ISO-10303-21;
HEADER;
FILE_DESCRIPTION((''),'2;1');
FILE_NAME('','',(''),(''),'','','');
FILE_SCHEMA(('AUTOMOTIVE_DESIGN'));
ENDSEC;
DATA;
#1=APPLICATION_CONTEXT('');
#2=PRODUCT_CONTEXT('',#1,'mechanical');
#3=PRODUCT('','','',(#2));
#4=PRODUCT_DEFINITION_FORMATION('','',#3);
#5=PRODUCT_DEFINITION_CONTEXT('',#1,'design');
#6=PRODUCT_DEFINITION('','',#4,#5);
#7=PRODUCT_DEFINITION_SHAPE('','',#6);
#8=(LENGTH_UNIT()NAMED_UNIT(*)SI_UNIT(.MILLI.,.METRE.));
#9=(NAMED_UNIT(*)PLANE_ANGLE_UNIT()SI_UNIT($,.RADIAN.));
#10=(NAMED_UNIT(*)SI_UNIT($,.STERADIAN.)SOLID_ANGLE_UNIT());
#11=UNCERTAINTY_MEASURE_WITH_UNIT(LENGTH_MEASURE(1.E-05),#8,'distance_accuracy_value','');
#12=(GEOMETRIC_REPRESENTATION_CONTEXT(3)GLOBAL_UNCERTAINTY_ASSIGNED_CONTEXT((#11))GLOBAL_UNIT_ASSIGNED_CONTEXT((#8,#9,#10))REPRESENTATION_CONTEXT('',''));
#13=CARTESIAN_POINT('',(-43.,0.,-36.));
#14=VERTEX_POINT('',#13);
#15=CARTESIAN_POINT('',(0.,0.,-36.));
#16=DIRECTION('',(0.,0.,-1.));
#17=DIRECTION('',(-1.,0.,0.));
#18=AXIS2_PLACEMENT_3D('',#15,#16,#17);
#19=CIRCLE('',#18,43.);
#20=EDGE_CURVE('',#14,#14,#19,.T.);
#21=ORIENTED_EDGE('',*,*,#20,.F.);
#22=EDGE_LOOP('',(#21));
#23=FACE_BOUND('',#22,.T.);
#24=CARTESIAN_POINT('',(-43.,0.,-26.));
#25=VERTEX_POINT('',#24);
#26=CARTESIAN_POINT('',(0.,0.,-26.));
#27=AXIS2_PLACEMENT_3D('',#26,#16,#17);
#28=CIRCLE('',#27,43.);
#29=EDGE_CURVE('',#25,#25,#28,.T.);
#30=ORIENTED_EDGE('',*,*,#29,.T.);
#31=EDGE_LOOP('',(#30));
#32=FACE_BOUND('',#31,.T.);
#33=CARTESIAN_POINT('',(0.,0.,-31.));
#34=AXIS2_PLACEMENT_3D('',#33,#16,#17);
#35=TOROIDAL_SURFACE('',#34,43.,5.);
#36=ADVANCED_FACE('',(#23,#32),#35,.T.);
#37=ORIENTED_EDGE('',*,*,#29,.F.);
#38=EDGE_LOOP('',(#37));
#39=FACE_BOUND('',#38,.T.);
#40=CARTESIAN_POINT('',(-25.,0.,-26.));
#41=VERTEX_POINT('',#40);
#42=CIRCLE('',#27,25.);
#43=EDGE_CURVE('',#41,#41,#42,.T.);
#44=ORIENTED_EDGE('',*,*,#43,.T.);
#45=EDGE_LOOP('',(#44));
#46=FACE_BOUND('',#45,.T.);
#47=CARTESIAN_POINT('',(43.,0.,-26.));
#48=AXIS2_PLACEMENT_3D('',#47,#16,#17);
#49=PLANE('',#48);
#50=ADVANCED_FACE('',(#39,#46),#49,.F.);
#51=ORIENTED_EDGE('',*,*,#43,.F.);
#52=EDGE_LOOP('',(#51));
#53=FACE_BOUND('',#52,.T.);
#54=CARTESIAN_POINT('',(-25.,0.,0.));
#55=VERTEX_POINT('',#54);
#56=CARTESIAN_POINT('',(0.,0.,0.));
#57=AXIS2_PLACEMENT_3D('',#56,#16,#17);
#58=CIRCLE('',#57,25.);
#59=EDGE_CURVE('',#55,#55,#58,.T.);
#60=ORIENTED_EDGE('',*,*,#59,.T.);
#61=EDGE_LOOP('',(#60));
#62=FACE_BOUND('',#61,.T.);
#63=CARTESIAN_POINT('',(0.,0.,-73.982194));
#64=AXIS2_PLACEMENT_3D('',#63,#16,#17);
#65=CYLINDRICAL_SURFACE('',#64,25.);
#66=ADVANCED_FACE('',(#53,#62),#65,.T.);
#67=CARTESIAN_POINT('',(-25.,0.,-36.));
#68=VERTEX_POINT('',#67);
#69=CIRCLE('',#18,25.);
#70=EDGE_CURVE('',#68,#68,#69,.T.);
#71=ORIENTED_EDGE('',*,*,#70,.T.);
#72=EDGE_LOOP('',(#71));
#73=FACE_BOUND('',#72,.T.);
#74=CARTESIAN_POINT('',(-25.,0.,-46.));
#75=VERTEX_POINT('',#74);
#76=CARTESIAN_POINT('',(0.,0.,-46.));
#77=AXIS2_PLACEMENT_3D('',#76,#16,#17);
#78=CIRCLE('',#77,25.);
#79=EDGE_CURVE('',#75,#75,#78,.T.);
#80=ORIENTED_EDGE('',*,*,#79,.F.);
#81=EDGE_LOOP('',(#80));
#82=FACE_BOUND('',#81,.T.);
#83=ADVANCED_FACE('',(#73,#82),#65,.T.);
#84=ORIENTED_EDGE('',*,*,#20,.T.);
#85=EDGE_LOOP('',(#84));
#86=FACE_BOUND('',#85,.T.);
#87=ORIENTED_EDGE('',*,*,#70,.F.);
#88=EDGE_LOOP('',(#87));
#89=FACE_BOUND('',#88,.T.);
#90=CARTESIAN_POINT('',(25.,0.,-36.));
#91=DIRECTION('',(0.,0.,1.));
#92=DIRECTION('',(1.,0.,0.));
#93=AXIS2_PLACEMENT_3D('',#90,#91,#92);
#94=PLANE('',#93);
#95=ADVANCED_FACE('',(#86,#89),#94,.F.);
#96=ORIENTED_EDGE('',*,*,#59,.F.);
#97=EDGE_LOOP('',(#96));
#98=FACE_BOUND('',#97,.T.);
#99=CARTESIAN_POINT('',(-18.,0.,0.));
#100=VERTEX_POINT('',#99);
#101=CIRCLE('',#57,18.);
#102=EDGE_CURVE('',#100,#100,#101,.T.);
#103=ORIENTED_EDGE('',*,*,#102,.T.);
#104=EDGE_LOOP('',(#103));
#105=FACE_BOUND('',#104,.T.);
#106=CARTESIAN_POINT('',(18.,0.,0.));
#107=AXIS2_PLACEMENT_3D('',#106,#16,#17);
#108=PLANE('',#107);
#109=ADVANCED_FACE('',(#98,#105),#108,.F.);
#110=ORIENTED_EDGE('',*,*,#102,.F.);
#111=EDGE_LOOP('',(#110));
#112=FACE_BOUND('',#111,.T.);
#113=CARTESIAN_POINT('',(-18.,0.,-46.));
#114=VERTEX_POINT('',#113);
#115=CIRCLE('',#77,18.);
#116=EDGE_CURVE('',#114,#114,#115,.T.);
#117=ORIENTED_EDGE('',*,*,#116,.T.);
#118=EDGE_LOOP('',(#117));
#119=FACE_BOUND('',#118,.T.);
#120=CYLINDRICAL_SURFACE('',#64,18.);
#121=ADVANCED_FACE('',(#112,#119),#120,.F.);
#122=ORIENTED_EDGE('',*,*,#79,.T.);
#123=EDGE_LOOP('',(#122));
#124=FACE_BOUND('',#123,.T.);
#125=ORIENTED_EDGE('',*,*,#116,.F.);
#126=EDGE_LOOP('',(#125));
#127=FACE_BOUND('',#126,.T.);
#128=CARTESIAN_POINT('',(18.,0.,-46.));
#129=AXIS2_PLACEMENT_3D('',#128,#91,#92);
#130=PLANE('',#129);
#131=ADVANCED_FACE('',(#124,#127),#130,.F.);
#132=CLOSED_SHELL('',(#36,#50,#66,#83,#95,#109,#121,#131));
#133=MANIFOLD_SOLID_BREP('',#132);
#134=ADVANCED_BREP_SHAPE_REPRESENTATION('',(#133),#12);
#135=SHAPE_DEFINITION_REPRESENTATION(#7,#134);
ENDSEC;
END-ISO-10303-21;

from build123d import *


with BuildPart() as part:
    # Sketch1 → Revolve1 (revolve)
    with BuildSketch(Plane(origin=(0, 0, 0), x_dir=(1, 0, 0), z_dir=(0, 1, 0)), mode=Mode.PRIVATE) as revolve1_sk:
        with BuildLine():
            Line((25, 0), (25, 26))
            Line((25, 26), (43, 26))
            ThreePointArc((43, 26), (48, 31), (43, 36))
            Line((43, 36), (25, 36))
            Line((25, 36), (25, 46))
            Line((25, 46), (18, 46))
            Line((18, 46), (18, 0))
            Line((18, 0), (25, 0))
        make_face()
    revolve(revolve1_sk.sketch.rotate(Axis((0, 0, -73.982194402), (0, 0, 1)), 180), axis=Axis((0, 0, -73.982194402), (0, 0, 1)))


solid = part.part
